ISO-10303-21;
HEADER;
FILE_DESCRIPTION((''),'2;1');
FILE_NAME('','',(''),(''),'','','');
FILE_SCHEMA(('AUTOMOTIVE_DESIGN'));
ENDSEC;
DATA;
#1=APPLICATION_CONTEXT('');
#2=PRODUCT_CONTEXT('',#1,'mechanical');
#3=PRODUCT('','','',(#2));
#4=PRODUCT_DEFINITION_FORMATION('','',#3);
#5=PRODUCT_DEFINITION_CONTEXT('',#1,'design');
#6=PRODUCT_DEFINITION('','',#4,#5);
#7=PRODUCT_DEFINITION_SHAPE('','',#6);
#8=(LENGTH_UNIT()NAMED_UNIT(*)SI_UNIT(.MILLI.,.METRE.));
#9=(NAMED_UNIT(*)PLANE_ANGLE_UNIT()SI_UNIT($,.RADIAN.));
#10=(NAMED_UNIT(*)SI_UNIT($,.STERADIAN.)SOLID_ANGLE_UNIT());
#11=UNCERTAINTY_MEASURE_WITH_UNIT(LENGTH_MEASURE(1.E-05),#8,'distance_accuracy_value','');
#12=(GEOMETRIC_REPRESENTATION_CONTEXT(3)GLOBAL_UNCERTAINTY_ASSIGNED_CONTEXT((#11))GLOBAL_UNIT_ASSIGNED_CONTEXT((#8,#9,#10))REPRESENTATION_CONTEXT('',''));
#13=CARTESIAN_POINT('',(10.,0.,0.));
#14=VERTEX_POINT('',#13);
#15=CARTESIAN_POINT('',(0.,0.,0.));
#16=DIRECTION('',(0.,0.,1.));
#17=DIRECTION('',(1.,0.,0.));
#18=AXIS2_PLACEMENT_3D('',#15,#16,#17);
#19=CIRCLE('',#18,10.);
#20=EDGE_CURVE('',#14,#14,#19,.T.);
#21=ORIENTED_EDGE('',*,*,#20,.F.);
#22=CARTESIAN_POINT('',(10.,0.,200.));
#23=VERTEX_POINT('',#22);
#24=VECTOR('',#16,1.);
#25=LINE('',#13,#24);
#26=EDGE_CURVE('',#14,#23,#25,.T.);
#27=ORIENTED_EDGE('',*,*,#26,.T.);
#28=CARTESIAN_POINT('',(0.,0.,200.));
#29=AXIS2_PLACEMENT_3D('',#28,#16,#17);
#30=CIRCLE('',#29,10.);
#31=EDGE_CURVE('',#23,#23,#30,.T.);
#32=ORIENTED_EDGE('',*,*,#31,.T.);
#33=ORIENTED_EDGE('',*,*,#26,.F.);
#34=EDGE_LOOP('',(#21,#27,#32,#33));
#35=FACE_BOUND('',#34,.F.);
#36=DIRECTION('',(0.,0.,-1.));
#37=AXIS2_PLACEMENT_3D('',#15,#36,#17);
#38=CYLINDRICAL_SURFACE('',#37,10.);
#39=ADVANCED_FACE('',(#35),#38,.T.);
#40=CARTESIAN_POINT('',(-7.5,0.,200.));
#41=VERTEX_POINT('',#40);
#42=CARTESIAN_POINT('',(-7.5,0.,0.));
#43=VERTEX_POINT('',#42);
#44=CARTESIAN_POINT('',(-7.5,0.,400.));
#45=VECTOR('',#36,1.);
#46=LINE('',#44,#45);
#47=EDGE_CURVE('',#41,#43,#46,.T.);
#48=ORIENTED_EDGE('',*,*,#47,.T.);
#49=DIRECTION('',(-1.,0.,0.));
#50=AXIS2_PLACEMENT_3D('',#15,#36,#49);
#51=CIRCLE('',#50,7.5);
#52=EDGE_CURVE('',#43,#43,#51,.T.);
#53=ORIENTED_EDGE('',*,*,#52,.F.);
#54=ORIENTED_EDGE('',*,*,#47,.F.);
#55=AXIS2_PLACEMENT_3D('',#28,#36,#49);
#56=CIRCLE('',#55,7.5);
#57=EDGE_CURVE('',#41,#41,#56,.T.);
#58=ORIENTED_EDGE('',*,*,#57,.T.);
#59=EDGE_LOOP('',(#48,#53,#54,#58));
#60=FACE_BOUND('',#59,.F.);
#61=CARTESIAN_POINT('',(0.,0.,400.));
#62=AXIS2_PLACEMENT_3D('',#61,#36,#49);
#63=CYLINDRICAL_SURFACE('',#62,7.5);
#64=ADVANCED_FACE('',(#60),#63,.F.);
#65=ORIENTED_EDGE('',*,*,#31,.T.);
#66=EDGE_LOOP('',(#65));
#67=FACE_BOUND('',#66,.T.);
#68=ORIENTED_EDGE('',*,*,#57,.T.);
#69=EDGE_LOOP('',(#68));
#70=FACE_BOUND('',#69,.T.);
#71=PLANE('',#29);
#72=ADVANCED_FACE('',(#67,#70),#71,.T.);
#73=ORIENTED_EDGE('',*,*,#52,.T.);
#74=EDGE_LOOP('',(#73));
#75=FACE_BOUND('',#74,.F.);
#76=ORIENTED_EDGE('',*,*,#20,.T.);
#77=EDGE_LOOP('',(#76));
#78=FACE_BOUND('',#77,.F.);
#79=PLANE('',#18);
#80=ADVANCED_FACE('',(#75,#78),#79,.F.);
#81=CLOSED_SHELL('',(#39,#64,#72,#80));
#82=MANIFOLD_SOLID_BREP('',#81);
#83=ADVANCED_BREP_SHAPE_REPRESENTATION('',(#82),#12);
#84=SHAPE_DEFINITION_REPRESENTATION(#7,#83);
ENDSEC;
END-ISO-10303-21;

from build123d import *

# Parameters (mm, degrees)
F0_R     = 10
F1_DEPTH = 200
F4_D     = 3
F4_DEPTH = 100
F6_D     = 15
F6_DEPTH = 200


with BuildPart() as f1:
    # F0 (on Top) → F1 (new body)
    with BuildSketch(Plane.XY):
        Circle(F0_R)
    extrude(amount=F1_DEPTH)

    # F4
    with Locations(Plane(origin=(0, 0, 0), x_dir=(1, 0, 0), z_dir=(0, 0, -1))):
        with Locations((0, 0)):
            Hole(F4_D / 2, depth=F4_DEPTH)

    # F6
    with Locations(Plane.XY.offset(200)):
        with Locations((0, 0)):
            Hole(F6_D / 2, depth=F6_DEPTH)


solid = f1.part
